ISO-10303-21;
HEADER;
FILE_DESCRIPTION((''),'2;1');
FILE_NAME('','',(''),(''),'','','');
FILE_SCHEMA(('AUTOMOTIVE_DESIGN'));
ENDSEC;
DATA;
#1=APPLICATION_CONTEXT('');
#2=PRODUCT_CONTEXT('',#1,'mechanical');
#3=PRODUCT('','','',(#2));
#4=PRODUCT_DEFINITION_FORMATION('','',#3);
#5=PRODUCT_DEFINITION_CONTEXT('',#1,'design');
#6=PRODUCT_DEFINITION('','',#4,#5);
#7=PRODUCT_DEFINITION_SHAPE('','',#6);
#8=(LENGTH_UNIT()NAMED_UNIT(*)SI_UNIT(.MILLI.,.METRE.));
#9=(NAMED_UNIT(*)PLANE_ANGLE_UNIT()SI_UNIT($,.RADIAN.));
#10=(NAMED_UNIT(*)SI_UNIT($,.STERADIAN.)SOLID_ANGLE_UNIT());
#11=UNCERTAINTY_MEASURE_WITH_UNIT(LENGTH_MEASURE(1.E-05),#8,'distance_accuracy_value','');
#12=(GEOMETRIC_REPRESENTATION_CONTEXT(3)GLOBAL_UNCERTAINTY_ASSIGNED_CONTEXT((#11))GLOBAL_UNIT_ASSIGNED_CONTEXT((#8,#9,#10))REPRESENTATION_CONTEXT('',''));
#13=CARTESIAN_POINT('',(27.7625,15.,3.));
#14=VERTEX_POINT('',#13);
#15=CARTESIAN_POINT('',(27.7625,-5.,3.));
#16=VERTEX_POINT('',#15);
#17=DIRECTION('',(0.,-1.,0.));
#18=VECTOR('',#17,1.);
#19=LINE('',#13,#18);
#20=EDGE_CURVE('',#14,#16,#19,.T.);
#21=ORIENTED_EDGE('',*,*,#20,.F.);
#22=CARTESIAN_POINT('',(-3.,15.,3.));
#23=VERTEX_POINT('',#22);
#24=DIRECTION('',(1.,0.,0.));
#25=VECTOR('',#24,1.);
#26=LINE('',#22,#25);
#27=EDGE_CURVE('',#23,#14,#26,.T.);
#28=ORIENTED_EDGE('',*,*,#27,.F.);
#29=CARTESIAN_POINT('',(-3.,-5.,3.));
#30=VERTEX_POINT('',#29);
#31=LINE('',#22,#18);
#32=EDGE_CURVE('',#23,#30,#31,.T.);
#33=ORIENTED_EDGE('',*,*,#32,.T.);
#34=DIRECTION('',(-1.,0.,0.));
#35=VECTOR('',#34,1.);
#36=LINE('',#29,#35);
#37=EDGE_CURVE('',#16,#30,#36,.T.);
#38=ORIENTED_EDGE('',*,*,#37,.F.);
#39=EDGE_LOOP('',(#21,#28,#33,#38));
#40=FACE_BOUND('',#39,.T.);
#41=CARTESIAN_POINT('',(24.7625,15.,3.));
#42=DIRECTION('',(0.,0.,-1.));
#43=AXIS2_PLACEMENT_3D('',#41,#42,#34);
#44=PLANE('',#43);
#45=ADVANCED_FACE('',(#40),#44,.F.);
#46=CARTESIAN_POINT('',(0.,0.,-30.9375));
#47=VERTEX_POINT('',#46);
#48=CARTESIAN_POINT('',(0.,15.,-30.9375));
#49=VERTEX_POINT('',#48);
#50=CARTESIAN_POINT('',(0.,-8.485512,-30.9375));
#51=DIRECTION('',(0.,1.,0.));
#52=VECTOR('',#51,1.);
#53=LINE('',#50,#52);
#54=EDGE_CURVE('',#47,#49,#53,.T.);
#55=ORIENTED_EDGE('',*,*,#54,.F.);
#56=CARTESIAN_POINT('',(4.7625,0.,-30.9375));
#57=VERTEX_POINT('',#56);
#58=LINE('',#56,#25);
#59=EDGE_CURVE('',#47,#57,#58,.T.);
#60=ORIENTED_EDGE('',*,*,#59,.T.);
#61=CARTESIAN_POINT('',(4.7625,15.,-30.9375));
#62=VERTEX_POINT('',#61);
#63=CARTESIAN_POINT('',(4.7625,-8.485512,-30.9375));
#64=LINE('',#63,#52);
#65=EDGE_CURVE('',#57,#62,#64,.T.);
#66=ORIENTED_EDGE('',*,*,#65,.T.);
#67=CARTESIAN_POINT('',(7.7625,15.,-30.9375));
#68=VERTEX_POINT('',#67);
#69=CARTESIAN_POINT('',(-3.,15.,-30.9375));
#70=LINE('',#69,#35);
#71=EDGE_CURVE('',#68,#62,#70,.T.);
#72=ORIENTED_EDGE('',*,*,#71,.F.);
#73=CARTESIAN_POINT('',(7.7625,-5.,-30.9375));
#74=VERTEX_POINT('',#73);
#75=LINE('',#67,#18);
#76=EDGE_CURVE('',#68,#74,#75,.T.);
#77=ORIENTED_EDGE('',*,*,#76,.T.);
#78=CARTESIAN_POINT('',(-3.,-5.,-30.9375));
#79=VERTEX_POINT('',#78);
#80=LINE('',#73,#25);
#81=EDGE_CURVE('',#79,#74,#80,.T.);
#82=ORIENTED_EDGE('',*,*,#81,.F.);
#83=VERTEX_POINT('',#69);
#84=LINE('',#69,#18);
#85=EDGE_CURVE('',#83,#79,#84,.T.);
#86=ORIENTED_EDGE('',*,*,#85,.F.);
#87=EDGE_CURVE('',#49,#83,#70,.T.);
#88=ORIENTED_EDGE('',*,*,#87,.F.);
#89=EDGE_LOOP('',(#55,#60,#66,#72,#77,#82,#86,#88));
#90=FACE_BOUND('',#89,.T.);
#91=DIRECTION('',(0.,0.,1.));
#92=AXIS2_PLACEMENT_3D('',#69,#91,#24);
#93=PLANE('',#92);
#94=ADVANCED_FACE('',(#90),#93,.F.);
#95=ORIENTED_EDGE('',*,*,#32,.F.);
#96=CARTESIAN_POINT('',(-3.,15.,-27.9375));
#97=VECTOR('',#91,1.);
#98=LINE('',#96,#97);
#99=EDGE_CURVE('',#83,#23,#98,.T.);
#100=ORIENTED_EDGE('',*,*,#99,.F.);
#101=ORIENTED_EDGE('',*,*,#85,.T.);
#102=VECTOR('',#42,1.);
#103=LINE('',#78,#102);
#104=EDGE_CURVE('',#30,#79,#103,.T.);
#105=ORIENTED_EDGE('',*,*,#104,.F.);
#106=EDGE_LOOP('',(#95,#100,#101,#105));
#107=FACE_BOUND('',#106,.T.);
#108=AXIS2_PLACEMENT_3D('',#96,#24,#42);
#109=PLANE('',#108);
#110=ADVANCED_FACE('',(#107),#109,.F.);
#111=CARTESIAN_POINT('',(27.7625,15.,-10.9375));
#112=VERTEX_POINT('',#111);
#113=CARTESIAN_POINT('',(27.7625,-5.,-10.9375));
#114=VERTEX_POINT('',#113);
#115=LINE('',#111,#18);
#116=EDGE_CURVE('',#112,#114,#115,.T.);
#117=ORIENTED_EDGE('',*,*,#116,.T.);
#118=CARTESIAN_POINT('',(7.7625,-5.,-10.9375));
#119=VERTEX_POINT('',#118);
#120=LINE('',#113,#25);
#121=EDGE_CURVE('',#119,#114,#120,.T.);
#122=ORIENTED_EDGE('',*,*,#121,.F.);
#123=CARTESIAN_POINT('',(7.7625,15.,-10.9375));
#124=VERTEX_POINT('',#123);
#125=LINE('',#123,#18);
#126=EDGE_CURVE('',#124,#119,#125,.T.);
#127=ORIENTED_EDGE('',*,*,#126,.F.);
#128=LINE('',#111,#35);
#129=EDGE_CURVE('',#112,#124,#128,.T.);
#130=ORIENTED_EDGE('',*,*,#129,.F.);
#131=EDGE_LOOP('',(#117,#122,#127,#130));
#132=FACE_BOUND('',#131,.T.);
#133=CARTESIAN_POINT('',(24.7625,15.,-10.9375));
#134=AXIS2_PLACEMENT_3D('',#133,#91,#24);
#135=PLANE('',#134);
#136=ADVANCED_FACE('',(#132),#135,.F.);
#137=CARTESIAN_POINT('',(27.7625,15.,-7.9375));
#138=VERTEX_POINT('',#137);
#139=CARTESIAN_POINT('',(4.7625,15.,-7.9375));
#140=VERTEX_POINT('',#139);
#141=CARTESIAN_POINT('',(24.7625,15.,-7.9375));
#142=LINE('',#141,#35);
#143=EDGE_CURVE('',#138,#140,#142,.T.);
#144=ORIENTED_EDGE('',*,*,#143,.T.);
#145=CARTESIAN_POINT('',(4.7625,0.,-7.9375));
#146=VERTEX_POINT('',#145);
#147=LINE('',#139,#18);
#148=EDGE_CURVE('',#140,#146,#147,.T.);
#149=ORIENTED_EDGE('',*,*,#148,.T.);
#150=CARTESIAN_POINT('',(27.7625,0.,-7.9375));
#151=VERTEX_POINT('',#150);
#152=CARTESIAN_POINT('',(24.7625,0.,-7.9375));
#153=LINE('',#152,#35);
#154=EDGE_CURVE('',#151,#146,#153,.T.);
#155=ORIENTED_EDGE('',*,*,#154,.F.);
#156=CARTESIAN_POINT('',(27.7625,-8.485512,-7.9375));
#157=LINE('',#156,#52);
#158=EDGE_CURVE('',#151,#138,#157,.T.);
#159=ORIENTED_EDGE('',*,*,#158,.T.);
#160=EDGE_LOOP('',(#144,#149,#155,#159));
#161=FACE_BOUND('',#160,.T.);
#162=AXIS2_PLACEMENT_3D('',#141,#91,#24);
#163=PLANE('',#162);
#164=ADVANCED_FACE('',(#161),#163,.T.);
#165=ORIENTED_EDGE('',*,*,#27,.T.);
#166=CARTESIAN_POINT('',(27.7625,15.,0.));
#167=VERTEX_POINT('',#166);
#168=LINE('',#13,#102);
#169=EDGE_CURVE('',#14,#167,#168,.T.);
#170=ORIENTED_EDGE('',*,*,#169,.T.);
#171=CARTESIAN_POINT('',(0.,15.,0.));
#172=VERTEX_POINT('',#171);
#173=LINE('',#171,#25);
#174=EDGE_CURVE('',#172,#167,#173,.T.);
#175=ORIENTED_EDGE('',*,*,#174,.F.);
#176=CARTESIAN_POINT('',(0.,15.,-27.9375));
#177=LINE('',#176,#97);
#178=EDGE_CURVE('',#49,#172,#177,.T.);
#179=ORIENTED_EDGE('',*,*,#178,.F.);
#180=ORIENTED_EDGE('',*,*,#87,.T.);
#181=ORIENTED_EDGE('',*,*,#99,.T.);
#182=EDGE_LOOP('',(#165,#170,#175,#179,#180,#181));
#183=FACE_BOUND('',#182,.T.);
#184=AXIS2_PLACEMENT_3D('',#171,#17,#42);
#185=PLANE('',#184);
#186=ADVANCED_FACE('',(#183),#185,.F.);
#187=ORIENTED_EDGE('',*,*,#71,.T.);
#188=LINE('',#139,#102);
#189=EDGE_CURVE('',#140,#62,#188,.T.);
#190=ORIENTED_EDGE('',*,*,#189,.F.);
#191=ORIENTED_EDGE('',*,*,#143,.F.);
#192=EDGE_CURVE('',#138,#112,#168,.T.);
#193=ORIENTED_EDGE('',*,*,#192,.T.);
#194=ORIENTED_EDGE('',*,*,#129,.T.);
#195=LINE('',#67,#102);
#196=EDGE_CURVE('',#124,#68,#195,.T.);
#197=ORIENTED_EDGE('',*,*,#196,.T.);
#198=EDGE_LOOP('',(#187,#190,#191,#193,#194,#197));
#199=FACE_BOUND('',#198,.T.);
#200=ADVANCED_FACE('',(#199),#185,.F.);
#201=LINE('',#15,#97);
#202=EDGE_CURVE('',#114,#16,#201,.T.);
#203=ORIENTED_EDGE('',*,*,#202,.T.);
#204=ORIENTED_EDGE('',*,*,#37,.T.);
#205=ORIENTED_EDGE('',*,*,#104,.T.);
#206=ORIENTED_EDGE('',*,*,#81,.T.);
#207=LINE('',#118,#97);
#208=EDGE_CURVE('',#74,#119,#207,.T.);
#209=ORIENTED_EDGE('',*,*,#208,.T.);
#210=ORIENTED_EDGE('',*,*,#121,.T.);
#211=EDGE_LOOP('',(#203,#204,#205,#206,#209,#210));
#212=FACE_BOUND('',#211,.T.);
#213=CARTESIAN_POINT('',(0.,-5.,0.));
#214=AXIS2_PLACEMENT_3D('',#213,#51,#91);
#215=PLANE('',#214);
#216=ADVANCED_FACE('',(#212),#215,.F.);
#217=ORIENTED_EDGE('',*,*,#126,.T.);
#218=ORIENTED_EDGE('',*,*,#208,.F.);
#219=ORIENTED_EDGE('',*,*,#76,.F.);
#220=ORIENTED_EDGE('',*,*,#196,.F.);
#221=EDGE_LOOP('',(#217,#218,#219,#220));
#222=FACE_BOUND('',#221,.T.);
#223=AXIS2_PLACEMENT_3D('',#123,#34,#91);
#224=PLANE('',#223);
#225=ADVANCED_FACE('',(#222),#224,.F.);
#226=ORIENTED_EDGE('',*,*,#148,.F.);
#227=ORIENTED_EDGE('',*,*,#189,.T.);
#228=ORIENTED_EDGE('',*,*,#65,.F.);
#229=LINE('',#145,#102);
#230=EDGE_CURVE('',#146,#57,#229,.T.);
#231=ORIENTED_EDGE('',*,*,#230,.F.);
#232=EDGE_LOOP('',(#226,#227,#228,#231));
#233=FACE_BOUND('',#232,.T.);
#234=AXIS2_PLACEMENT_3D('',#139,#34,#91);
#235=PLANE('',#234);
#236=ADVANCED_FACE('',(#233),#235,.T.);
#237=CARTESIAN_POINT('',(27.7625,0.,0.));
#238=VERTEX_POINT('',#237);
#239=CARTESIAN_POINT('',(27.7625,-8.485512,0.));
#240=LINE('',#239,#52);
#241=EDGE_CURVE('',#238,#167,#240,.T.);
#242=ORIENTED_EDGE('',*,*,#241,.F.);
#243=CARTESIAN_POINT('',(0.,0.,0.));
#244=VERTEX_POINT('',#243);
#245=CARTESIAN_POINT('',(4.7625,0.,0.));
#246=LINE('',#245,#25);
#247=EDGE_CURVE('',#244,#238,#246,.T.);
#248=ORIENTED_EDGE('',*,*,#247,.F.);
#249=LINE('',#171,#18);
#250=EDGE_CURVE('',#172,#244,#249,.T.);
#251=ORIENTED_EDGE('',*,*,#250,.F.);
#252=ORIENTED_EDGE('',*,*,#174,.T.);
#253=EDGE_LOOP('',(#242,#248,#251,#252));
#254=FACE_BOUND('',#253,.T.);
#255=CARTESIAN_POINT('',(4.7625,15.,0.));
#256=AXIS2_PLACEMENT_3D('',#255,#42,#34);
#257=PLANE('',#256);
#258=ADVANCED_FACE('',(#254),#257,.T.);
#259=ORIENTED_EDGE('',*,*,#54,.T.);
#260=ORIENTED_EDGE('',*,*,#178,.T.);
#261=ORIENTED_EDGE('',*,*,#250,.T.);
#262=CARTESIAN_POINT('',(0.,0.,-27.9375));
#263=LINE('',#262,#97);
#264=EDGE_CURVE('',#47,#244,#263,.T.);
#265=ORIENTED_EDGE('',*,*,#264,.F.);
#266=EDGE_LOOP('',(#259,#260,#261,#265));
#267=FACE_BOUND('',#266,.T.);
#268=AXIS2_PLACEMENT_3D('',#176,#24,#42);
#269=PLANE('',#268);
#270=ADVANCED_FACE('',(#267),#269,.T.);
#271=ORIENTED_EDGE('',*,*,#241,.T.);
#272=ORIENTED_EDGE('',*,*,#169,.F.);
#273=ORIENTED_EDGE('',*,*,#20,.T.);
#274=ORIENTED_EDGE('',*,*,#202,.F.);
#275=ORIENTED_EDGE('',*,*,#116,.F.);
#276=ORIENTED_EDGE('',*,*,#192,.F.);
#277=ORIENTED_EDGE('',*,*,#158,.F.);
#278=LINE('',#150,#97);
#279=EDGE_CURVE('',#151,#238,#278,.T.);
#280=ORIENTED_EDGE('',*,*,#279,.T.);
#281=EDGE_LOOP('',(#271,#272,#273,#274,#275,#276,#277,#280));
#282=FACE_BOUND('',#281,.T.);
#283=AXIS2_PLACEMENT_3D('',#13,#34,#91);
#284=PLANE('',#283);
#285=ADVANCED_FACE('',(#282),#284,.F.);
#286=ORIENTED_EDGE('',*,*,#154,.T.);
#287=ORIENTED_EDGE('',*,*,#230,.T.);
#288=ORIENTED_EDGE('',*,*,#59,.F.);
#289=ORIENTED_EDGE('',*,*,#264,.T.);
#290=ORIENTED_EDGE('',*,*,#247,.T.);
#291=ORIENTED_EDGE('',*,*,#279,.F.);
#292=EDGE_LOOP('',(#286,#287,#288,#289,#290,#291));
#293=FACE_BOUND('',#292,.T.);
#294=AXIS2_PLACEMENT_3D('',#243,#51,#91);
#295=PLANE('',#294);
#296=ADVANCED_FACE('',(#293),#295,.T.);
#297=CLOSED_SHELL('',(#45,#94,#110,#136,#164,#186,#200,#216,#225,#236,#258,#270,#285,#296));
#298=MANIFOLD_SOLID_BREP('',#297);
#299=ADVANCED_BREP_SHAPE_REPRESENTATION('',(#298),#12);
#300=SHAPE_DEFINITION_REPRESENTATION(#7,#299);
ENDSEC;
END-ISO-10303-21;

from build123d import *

# Parameters (mm, degrees)
BOSS_EXTRUDE7_DEPTH = 15
BOSS_EXTRUDE8_DEPTH = 5
SKETCH3_W           = 4.7625
SKETCH3_H           = 3
SKETCH3_W_2         = 3
SKETCH3_H_2         = 7.9375
CUT_EXTRUDE1_DEPTH  = 15


with BuildPart() as part:
    # Sketch1 → Boss-Extrude7 (new body)
    with BuildSketch(Plane(origin=(0, 0, 0), x_dir=(1, 0, 0), z_dir=(0, 1, 0))):
        Polygon((24.7625, 10.9375), (7.7625, 10.9375), (7.7625, 27.9375), (7.7625, 30.9375), (-3, 30.9375), (-3, 27.9375), (-3, -3), (24.7625, -3), (27.7625, -3), (27.7625, 10.9375), align=None)
        Polygon((0, 0), (4.7625, 0), (24.7625, 0), (24.7625, 7.9375), (4.7625, 7.9375), (4.7625, 27.9375), (0, 27.9375), align=None, mode=Mode.SUBTRACT)
    extrude(amount=BOSS_EXTRUDE7_DEPTH)

    # Sketch2 → Boss-Extrude8 (add)
    with BuildSketch(Plane.XZ):
        Polygon((27.7625, 3), (27.7625, -10.9375), (7.7625, -10.9375), (7.7625, -30.9375), (-3, -30.9375), (-3, 3), align=None)
    extrude(amount=BOSS_EXTRUDE8_DEPTH)

    # Sketch3 → Cut-Extrude1 (cut)
    with BuildSketch(Plane(origin=(0, 15, 0), x_dir=(1, 0, 0), z_dir=(0, 1, 0))):
        with Locations((2.38125, 29.4375)):
            Rectangle(SKETCH3_W, SKETCH3_H)
        with Locations((26.2625, 3.96875)):
            Rectangle(SKETCH3_W_2, SKETCH3_H_2)
    extrude(amount=-CUT_EXTRUDE1_DEPTH, mode=Mode.SUBTRACT)


solid = part.part
